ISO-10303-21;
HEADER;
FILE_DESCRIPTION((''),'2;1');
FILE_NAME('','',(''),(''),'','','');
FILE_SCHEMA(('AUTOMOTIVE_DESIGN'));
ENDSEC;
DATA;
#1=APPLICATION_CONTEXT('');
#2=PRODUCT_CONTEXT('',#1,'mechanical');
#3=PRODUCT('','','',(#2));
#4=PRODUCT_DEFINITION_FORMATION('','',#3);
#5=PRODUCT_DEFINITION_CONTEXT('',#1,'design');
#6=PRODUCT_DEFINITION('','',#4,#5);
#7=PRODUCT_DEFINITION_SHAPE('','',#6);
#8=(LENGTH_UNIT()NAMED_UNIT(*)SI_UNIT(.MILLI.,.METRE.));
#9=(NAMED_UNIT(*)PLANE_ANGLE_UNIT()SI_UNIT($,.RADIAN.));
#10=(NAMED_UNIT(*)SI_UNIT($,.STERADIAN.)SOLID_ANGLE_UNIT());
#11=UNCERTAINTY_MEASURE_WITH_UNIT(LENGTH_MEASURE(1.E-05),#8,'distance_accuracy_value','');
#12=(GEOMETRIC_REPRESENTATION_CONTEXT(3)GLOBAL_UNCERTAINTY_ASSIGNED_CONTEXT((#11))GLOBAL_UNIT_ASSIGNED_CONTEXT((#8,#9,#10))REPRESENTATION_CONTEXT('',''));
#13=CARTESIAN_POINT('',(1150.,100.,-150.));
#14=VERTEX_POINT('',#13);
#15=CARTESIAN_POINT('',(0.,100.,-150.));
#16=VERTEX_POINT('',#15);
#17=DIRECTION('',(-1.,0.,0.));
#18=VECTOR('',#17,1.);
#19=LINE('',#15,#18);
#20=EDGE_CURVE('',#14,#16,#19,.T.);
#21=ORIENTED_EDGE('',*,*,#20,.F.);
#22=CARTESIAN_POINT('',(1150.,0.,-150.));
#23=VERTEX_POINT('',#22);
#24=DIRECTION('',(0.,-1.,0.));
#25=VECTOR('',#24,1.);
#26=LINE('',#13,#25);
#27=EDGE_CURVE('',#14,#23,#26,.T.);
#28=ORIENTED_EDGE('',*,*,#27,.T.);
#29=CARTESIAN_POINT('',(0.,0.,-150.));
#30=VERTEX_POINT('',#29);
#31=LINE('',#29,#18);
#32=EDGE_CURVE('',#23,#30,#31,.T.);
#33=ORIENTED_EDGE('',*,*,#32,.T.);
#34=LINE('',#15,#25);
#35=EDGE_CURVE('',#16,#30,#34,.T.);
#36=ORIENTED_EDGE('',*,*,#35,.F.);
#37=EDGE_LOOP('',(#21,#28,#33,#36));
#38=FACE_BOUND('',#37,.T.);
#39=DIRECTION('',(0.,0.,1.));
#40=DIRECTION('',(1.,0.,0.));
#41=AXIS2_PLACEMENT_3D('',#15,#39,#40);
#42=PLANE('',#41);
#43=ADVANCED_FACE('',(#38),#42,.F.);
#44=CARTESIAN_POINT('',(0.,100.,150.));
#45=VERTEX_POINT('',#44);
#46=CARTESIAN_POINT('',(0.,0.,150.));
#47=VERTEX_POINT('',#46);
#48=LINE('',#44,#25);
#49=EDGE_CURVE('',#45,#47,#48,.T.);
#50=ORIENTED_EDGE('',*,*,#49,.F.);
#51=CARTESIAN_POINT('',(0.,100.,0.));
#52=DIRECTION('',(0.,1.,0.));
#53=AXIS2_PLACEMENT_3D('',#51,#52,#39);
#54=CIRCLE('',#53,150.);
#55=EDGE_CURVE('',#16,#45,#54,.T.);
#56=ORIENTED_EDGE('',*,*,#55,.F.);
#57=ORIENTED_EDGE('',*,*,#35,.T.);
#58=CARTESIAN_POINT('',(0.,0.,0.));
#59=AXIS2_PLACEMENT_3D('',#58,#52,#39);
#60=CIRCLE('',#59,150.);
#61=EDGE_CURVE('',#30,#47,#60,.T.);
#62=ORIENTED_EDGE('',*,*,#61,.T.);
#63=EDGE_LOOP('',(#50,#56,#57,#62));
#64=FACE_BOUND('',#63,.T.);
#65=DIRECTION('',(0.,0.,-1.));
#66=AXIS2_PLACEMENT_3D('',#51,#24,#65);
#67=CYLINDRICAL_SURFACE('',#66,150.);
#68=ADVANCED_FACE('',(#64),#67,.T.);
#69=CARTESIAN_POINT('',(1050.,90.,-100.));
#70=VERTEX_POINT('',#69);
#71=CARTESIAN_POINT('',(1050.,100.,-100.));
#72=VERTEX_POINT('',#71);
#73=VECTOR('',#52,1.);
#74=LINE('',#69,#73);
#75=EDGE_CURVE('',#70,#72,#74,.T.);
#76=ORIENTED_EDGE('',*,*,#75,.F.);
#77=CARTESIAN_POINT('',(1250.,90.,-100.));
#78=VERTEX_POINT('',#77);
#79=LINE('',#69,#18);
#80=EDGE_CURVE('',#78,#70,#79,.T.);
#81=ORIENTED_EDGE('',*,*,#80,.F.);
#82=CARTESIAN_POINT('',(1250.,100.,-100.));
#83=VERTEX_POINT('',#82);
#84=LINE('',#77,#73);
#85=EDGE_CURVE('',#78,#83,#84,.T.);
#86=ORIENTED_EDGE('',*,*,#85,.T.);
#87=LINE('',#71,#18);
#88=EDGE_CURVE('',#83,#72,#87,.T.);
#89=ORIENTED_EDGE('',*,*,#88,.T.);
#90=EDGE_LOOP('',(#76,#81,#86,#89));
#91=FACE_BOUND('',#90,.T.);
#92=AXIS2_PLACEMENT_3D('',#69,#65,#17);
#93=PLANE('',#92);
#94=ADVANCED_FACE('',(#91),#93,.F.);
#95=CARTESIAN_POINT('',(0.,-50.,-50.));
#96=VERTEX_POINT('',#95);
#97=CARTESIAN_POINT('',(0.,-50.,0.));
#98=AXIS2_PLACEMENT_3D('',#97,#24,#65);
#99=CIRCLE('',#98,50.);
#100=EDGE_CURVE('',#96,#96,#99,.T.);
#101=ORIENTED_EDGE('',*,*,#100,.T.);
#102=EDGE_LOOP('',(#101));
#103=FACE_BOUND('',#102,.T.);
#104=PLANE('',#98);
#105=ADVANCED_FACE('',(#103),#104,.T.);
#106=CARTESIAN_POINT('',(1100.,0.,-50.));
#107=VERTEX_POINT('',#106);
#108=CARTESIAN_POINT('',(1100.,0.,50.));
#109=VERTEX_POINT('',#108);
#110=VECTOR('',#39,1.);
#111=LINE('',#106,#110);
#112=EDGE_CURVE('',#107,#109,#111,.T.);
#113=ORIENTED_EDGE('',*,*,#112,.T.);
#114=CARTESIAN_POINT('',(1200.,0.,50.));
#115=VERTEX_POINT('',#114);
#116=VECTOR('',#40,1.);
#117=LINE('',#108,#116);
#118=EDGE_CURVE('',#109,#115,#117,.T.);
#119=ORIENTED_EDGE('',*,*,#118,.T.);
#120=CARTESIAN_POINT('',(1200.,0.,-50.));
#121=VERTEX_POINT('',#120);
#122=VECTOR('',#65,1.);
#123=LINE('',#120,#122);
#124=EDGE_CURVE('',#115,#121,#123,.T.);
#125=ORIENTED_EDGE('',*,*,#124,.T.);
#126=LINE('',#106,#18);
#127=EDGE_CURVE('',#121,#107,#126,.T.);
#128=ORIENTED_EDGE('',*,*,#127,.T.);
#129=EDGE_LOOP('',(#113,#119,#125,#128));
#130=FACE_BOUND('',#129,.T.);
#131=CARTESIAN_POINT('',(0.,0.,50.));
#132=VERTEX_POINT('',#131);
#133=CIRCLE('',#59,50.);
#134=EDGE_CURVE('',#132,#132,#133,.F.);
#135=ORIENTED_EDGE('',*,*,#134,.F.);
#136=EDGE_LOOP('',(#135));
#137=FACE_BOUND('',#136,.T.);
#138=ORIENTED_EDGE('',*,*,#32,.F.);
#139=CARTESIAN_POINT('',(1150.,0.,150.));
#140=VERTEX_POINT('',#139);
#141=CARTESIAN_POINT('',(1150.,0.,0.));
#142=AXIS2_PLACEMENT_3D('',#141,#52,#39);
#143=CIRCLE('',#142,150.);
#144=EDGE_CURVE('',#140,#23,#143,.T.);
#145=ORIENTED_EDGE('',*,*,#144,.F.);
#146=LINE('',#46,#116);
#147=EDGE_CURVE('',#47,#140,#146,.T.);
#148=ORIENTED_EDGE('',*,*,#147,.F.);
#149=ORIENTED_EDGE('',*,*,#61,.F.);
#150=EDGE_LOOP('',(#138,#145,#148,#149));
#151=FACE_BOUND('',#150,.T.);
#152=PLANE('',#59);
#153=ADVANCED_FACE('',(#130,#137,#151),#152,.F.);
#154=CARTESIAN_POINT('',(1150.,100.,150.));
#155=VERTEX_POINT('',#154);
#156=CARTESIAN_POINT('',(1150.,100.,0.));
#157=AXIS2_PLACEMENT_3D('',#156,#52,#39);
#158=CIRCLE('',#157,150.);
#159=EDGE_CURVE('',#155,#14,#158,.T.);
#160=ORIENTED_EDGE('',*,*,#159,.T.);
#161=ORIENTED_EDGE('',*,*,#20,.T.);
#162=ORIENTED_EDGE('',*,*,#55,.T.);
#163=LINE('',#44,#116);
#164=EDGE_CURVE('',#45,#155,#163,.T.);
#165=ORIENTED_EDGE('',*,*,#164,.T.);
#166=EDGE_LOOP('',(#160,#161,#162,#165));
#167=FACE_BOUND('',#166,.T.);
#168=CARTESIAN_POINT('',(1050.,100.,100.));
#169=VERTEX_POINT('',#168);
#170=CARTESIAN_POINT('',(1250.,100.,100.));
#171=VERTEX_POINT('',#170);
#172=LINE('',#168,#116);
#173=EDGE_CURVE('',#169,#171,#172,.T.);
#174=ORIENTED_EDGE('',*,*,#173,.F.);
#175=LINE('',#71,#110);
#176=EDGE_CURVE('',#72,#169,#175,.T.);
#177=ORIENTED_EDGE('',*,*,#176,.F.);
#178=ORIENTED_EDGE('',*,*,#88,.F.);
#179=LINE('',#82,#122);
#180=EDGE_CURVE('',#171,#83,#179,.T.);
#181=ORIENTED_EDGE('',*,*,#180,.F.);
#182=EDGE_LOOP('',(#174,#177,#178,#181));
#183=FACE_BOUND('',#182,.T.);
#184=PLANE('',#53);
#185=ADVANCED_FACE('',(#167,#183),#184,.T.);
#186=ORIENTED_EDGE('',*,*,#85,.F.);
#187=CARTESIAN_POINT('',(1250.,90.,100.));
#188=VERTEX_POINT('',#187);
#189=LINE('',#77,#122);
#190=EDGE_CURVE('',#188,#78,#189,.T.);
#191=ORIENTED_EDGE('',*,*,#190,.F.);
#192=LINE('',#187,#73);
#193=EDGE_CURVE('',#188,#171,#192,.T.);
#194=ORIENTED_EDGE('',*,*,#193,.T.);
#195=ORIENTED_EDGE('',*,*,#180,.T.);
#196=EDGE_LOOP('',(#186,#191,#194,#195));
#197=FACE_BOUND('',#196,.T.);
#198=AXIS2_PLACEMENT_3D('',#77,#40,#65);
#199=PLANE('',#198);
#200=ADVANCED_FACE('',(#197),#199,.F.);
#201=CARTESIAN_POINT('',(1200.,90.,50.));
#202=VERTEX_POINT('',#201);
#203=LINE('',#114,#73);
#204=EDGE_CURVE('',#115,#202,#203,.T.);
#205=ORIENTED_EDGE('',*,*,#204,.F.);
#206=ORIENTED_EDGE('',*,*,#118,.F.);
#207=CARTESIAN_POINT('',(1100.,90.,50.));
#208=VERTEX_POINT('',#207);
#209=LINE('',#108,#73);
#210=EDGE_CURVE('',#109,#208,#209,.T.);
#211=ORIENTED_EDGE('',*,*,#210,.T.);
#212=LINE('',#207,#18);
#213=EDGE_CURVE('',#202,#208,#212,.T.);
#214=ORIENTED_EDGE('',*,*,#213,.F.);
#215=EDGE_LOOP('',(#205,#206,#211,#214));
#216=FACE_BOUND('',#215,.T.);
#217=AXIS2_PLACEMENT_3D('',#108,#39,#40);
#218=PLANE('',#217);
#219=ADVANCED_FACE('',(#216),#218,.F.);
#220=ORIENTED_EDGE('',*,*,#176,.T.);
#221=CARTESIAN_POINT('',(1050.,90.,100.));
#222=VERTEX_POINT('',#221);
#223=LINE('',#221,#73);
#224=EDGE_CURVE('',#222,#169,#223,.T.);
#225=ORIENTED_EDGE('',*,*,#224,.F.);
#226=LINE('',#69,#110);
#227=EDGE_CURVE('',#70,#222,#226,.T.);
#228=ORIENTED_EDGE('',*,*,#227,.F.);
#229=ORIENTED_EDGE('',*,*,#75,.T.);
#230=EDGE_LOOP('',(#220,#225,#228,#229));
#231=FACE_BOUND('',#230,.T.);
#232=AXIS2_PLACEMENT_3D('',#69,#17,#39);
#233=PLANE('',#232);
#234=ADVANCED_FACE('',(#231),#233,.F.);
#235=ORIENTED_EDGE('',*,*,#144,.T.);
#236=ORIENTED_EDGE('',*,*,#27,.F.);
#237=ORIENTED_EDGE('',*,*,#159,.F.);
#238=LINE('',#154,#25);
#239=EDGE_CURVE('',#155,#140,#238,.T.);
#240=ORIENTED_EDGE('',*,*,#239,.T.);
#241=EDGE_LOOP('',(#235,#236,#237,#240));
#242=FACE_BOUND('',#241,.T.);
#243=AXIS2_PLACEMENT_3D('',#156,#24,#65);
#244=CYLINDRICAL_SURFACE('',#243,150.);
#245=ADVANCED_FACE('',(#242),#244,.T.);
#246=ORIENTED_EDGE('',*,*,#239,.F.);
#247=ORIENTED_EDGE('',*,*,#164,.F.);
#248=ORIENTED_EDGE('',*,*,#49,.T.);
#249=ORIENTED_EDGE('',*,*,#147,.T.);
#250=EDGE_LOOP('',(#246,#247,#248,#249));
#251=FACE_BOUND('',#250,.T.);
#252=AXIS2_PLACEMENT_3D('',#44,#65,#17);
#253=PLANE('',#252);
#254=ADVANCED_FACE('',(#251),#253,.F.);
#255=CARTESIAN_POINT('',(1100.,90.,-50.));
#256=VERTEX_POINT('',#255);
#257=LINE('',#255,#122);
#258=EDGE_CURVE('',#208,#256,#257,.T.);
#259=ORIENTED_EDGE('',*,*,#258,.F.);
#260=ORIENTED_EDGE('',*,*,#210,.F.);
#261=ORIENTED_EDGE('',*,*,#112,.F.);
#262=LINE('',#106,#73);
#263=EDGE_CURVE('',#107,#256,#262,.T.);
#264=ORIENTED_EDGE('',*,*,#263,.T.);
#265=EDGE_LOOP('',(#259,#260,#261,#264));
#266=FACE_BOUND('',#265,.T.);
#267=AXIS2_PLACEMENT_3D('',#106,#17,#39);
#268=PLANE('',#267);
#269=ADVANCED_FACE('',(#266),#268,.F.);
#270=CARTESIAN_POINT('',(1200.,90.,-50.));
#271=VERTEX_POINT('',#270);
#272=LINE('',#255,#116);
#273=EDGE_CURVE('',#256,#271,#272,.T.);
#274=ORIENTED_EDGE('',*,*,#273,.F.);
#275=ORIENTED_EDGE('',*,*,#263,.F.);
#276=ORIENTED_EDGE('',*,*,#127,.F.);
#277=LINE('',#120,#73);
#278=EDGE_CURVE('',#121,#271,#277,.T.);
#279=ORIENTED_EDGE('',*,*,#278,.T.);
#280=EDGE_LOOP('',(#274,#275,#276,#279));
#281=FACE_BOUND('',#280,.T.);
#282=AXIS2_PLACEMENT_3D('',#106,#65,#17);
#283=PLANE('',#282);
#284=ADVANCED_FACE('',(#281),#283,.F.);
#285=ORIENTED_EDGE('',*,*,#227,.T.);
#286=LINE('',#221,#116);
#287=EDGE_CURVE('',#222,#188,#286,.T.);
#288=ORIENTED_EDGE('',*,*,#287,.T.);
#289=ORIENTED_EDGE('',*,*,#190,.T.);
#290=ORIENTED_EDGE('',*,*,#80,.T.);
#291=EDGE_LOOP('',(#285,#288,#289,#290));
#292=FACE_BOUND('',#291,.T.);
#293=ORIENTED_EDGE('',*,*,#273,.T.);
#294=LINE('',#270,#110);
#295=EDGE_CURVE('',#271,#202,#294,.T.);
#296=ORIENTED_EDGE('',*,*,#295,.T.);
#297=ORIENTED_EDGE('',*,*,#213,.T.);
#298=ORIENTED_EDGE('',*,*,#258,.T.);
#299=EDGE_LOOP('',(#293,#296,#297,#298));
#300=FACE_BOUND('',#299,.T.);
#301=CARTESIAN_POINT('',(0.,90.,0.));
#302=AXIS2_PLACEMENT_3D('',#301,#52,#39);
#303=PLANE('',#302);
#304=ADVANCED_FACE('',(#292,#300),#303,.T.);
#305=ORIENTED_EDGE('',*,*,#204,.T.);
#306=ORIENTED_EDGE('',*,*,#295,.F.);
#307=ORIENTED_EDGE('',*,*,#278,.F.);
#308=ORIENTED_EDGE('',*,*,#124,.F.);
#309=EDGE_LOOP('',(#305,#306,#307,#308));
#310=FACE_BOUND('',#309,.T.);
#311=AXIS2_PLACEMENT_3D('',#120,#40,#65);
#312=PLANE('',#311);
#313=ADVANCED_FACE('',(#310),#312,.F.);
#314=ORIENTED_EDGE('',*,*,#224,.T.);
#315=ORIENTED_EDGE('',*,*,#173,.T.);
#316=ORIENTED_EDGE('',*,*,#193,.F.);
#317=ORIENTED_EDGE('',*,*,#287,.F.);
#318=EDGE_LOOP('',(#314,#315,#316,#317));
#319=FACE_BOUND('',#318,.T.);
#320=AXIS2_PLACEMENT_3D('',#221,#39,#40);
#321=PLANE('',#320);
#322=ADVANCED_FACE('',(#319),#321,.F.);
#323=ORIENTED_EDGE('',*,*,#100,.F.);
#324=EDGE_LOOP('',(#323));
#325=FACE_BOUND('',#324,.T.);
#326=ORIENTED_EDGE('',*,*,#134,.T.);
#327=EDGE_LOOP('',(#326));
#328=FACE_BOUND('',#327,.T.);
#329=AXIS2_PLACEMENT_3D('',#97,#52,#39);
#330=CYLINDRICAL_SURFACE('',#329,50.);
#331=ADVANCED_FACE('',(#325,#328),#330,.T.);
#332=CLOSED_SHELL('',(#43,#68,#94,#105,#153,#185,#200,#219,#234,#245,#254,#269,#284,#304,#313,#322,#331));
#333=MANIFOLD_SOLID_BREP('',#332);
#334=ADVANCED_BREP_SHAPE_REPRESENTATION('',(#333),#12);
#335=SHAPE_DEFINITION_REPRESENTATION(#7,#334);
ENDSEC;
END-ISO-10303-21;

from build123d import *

# Parameters (mm, degrees)
BOSS_EXTRUDE1_DEPTH = 100
SKETCH3_R           = 50
BOSS_EXTRUDE3_DEPTH = 50
SKETCH2_W           = 100
SKETCH2_H           = 100
CUT_EXTRUDE1_DEPTH  = 100
SKETCH4_W           = 200
SKETCH4_H           = 200
CUT_EXTRUDE2_DEPTH  = 10


with BuildPart() as part:
    # Sketch1 → Boss-Extrude1 (new body)
    with BuildSketch(Plane(origin=(0, 0, 0), x_dir=(1, 0, 0), z_dir=(0, 1, 0))):
        with BuildLine():
            Line((0, 150), (1150, 150))
            ThreePointArc((1150, 150), (1300, 0), (1150, -150))
            Line((1150, -150), (0, -150))
            ThreePointArc((0, -150), (-150, 0), (0, 150))
        make_face()
    extrude(amount=BOSS_EXTRUDE1_DEPTH)

    # Sketch3 → Boss-Extrude3 (add)
    with BuildSketch(Plane.XZ):
        with Locations(Location((0, 0, 0), (0, 0, 90))):
            Circle(SKETCH3_R)
    extrude(amount=BOSS_EXTRUDE3_DEPTH)

    # Sketch2 → Cut-Extrude1 (cut)
    with BuildSketch(Plane(origin=(0, 100, 0), x_dir=(1, 0, 0), z_dir=(0, 1, 0))):
        with Locations((1150, 0)):
            Rectangle(SKETCH2_W, SKETCH2_H)
    extrude(amount=-CUT_EXTRUDE1_DEPTH, mode=Mode.SUBTRACT)

    # Sketch4 → Cut-Extrude2 (cut)
    with BuildSketch(Plane(origin=(0, 100, 0), x_dir=(1, 0, 0), z_dir=(0, 1, 0))):
        with Locations((1150, 0)):
            Rectangle(SKETCH4_W, SKETCH4_H)
    extrude(amount=-CUT_EXTRUDE2_DEPTH, mode=Mode.SUBTRACT)


solid = part.part
